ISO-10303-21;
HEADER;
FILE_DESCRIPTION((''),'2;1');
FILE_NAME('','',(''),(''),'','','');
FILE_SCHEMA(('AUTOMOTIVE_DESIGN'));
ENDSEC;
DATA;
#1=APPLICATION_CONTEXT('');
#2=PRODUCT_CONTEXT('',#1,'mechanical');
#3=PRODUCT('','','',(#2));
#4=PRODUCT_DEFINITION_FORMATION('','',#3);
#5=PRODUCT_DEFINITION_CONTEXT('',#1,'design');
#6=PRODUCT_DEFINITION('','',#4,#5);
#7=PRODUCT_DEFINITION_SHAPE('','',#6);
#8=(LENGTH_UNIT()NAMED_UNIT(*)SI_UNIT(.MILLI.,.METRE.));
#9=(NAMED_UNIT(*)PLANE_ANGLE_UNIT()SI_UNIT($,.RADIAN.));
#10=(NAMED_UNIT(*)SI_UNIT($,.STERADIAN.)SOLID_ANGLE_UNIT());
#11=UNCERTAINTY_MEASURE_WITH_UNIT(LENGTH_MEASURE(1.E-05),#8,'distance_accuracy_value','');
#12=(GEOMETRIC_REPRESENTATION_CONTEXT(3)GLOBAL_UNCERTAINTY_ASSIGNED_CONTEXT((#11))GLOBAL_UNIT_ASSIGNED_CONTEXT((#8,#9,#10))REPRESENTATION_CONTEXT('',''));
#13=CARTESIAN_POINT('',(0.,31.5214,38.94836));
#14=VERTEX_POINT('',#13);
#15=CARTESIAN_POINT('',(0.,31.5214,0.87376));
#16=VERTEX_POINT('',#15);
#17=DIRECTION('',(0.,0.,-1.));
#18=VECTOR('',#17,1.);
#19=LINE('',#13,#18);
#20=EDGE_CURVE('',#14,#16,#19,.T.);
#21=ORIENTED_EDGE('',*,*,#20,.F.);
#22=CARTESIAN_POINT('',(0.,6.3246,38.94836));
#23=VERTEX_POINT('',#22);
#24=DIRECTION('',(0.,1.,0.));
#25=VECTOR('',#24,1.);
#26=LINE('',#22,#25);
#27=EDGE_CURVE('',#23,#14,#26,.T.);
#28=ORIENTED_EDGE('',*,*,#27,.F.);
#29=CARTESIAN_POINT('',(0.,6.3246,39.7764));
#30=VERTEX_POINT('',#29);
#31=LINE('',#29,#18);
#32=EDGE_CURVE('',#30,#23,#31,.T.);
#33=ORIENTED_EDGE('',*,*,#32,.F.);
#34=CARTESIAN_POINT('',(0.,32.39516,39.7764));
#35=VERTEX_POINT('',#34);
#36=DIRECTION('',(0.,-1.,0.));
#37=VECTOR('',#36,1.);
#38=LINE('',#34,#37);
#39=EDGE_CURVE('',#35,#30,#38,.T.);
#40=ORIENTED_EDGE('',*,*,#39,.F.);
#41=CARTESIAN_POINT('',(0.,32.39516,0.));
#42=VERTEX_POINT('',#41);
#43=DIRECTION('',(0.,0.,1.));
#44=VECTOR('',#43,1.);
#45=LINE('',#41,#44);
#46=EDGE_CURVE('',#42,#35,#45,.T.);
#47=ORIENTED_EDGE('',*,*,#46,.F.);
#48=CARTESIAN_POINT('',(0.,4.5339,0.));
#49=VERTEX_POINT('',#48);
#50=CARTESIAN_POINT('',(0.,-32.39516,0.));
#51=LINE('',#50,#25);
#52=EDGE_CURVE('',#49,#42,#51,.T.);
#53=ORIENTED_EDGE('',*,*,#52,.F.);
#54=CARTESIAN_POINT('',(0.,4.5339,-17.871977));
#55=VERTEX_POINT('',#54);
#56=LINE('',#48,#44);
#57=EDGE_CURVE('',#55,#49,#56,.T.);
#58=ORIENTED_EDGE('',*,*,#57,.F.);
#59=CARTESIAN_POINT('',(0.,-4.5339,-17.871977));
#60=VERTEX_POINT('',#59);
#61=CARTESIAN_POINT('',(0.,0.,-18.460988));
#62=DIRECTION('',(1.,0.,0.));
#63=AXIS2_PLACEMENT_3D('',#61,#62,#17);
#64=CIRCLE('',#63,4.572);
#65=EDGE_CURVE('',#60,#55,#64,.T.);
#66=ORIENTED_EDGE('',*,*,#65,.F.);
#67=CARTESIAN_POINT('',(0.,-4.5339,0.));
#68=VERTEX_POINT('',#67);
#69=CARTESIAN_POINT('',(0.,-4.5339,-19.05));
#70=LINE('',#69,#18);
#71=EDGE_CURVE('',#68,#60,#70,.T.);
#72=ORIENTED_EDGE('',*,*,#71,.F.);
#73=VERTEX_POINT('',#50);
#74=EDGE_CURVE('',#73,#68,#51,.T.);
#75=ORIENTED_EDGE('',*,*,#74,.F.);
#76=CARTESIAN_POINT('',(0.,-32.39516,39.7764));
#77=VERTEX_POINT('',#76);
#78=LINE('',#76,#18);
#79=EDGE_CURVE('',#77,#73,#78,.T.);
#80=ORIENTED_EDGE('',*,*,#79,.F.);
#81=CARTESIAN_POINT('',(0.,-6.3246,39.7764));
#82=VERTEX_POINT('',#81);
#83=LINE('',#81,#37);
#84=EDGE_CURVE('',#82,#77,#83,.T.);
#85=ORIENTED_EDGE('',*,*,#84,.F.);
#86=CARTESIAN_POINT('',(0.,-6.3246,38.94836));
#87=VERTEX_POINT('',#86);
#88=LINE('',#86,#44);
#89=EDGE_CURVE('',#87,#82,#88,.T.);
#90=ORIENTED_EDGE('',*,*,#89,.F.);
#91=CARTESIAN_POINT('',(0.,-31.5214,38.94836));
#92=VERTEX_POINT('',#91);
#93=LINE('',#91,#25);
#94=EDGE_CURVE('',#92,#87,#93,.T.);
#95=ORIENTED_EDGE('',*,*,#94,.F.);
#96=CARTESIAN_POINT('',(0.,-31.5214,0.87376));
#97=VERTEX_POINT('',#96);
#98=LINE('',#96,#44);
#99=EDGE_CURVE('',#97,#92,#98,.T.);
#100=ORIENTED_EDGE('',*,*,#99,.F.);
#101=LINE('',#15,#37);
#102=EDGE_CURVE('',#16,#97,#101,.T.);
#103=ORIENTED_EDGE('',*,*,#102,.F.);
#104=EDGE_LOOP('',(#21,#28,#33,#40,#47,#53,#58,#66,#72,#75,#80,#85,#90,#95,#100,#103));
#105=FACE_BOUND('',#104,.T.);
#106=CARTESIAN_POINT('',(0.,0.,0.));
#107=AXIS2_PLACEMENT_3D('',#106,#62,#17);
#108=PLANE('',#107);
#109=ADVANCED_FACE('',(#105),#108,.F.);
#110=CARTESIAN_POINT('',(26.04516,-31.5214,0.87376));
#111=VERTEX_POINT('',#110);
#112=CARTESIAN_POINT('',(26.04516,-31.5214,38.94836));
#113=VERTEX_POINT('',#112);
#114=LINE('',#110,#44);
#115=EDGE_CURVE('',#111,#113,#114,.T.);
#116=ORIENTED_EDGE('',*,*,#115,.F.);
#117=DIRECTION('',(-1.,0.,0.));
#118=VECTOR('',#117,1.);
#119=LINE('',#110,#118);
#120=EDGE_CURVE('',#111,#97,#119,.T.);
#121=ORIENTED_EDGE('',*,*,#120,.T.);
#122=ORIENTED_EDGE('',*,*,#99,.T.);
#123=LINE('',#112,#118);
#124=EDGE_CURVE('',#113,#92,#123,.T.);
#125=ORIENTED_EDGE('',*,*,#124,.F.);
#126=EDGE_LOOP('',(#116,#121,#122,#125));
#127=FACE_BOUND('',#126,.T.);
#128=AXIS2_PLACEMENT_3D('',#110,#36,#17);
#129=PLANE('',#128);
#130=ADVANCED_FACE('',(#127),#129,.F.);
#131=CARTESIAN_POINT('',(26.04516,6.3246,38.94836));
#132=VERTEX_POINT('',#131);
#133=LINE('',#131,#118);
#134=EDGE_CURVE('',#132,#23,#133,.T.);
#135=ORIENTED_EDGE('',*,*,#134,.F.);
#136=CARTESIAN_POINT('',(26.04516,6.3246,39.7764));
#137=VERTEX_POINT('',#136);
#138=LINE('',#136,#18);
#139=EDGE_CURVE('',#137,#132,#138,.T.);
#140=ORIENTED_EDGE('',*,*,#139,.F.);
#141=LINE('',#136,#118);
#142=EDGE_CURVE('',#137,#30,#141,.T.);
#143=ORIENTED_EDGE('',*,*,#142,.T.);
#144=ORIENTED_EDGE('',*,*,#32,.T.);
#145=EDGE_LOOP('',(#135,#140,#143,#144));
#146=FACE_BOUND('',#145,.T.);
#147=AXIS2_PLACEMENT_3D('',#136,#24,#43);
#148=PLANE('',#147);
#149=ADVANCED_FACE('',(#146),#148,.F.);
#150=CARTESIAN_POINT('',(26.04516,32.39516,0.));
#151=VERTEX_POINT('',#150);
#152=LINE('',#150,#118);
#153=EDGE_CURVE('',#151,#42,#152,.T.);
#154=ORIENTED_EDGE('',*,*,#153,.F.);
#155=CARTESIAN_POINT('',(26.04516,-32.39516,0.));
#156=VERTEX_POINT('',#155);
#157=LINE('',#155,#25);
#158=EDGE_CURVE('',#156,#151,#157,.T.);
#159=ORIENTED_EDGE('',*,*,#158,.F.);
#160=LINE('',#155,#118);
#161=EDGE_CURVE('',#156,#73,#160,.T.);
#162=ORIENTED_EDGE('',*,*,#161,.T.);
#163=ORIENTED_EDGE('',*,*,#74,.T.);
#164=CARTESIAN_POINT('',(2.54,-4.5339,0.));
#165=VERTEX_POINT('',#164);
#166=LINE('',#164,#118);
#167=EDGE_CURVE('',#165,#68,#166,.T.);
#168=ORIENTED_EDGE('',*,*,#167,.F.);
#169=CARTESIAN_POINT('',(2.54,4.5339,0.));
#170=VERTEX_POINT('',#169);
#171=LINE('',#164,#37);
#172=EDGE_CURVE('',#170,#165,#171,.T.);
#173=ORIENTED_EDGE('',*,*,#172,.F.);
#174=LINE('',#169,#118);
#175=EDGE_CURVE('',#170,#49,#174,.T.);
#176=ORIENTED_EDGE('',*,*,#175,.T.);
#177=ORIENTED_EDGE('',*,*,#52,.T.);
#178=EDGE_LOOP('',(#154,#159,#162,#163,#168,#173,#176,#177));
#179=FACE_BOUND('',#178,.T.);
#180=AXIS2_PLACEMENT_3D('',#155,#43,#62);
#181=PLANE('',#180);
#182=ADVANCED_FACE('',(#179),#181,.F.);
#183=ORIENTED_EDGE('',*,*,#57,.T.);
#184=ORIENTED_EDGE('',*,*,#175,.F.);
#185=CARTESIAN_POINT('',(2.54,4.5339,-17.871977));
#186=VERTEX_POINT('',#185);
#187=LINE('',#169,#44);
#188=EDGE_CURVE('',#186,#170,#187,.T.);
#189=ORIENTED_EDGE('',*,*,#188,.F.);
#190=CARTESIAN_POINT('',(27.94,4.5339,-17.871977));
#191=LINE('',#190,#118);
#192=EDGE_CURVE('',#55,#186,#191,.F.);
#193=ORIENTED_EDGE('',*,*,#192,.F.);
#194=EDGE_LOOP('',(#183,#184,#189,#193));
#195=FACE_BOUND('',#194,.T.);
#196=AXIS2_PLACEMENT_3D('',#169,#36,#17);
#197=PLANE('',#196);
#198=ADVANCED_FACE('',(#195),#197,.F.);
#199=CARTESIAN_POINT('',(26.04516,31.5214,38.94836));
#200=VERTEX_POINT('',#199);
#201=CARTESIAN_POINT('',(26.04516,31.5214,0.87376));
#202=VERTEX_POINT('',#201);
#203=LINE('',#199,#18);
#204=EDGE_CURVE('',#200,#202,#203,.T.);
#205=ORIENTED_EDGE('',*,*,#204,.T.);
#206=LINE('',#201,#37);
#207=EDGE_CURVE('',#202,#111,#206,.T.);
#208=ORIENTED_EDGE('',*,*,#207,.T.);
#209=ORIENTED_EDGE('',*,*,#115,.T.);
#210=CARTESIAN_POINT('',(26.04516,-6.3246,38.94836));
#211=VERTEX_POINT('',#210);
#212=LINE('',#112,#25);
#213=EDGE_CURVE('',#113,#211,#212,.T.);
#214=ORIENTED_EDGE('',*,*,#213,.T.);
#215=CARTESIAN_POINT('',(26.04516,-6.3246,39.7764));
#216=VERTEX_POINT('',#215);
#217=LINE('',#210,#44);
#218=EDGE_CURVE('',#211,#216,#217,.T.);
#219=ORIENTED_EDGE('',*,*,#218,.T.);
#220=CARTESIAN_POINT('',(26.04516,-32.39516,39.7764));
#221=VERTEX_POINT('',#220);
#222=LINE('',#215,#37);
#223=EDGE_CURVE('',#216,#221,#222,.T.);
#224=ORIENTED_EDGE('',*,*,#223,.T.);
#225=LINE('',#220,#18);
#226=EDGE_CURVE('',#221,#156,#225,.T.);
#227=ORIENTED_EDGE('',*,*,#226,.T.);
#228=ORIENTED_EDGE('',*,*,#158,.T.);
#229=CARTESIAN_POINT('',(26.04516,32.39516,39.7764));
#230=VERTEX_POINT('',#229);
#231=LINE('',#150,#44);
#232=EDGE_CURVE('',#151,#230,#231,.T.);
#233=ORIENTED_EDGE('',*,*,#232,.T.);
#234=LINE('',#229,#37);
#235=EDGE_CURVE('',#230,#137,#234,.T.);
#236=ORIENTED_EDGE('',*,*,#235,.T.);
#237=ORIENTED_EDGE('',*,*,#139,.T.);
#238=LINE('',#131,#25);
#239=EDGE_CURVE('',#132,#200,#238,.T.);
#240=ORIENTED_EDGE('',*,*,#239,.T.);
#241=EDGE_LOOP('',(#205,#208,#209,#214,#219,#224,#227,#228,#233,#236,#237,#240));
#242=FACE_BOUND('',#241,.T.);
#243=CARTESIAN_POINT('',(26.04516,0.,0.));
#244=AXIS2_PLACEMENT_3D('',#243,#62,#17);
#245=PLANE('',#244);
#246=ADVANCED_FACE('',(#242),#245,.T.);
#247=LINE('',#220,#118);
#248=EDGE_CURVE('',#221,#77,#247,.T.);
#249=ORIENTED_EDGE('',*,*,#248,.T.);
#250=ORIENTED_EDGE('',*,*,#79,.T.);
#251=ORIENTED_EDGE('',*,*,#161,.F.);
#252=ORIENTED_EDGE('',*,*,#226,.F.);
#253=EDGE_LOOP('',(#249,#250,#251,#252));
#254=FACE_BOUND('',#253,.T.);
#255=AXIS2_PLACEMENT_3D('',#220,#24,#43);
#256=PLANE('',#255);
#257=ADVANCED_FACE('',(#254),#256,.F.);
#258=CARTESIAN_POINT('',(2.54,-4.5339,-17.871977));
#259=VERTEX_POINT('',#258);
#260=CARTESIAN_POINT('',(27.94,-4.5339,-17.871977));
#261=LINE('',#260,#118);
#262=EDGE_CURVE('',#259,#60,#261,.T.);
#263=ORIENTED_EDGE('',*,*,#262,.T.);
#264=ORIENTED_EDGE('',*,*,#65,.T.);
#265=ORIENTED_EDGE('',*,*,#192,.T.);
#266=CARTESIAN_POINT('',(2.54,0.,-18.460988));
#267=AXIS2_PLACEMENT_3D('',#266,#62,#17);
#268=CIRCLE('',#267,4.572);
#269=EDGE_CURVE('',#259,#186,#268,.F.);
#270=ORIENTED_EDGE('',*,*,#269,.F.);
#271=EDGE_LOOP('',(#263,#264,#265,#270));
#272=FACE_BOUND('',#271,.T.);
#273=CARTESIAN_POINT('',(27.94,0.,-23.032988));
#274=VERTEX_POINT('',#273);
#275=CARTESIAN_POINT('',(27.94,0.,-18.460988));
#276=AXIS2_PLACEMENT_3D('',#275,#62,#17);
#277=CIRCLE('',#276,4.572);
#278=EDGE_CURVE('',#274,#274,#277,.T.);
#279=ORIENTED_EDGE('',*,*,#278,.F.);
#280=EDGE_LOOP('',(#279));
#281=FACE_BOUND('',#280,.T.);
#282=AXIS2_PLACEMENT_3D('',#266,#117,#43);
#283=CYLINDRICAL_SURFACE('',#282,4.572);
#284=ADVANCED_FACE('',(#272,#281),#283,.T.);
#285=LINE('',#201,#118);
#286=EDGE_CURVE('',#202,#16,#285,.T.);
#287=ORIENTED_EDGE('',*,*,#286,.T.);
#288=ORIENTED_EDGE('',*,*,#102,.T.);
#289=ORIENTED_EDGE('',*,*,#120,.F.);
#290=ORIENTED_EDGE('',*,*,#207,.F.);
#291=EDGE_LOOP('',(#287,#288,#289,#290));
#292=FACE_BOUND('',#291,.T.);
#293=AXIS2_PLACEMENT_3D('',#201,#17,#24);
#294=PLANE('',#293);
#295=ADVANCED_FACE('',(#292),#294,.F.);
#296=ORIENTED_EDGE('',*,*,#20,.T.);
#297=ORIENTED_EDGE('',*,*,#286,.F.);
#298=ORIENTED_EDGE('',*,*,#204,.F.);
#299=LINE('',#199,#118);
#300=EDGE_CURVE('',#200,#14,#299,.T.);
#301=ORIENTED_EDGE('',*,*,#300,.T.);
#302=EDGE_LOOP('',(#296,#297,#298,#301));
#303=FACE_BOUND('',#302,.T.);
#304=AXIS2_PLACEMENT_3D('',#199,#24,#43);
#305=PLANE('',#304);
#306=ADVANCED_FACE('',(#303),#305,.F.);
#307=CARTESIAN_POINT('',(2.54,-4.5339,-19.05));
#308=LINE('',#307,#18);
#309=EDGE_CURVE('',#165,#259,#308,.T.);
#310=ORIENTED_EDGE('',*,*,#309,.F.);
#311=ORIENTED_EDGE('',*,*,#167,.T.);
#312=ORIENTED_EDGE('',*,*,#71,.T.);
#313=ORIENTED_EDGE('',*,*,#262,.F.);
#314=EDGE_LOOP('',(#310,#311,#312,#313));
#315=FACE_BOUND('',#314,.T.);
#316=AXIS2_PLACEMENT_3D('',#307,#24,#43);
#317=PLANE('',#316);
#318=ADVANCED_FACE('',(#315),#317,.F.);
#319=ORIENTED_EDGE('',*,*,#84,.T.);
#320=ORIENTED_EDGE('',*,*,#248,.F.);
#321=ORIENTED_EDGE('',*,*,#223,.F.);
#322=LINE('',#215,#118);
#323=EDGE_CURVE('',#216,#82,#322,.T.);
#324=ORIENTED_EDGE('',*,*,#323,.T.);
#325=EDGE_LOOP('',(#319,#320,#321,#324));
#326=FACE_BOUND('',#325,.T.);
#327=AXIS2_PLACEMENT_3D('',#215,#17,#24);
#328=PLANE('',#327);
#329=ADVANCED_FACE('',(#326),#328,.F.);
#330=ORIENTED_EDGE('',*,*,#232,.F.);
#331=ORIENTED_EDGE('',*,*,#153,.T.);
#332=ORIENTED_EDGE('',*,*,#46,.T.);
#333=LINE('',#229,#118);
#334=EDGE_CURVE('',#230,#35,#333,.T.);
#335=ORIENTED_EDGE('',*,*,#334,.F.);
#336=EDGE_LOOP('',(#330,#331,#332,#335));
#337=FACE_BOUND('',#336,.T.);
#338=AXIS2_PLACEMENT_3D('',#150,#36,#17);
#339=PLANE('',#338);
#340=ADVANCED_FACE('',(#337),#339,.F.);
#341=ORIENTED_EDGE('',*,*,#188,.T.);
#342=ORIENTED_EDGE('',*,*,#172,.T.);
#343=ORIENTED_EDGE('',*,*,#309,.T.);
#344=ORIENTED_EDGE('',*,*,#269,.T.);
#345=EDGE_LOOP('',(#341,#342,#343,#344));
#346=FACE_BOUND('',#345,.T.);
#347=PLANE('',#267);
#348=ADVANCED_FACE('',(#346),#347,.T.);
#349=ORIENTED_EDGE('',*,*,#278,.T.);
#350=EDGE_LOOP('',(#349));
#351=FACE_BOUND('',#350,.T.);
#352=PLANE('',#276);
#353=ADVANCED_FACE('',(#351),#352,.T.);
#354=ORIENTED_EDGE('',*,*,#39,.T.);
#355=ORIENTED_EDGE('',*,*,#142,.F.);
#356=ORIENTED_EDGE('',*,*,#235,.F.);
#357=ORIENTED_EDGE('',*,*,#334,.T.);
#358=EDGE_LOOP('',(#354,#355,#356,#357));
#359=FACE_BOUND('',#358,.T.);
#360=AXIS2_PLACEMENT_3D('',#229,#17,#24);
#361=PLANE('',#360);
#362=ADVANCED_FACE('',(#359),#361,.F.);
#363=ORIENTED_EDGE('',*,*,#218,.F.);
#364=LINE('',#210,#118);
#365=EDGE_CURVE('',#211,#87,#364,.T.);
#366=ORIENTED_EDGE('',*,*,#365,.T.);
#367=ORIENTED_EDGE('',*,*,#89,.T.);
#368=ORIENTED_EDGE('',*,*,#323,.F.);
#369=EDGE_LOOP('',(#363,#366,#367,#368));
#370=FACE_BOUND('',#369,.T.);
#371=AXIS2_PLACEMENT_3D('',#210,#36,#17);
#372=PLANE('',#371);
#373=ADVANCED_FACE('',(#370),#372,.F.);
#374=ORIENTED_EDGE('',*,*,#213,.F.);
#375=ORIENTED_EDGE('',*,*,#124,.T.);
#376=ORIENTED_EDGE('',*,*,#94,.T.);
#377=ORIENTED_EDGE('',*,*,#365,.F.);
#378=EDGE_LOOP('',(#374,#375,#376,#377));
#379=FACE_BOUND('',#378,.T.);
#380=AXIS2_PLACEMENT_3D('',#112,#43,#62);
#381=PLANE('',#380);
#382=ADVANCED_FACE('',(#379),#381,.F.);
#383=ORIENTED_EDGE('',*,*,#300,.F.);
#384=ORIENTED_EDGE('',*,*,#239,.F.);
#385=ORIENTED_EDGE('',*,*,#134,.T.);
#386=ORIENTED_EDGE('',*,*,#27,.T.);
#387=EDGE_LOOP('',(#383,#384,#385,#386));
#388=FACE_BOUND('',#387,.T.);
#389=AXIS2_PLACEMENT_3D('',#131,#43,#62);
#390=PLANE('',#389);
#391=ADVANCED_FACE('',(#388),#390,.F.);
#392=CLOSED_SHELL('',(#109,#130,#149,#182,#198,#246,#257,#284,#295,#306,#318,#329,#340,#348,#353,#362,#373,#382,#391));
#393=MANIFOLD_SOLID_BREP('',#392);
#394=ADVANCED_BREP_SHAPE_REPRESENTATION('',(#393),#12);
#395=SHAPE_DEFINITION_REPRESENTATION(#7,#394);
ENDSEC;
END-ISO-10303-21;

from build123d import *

# Parameters (mm, degrees)
BOSS_EXTRUDE1_DEPTH = 26.04516
BOSS_EXTRUDE2_DEPTH = 2.54
SKETCH5_R           = 4.572
BOSS_EXTRUDE3_DEPTH = 27.94


with BuildPart() as part:
    # Sketch1 → Boss-Extrude1 (new body)
    with BuildSketch(Plane.YZ):
        Polygon((-32.39516, 0), (32.39516, 0), (32.39516, 39.7764), (6.3246, 39.7764), (6.3246, 38.94836), (31.5214, 38.94836), (31.5214, 0.87376), (-31.5214, 0.87376), (-31.5214, 38.94836), (-6.3246, 38.94836), (-6.3246, 39.7764), (-32.39516, 39.7764), align=None)
    extrude(amount=BOSS_EXTRUDE1_DEPTH)

    # Sketch2 → Boss-Extrude2 (add)
    with BuildSketch(Plane.YZ):
        with BuildLine():
            Line((-4.5339, 0), (4.5339, 0))
            Line((4.5339, 0), (4.5339, -19.05))
            ThreePointArc((4.5339, -19.05), (0, -23.032988294), (-4.5339, -19.05))
            Line((-4.5339, -19.05), (-4.5339, 0))
        make_face()
    extrude(amount=BOSS_EXTRUDE2_DEPTH)

    # Sketch5 → Boss-Extrude3 (add)
    with BuildSketch(Plane.YZ):
        with Locations(Location((0, -18.460988294, 0), (0, 0, 7.401999688))):
            Circle(SKETCH5_R)
    extrude(amount=BOSS_EXTRUDE3_DEPTH)


solid = part.part
